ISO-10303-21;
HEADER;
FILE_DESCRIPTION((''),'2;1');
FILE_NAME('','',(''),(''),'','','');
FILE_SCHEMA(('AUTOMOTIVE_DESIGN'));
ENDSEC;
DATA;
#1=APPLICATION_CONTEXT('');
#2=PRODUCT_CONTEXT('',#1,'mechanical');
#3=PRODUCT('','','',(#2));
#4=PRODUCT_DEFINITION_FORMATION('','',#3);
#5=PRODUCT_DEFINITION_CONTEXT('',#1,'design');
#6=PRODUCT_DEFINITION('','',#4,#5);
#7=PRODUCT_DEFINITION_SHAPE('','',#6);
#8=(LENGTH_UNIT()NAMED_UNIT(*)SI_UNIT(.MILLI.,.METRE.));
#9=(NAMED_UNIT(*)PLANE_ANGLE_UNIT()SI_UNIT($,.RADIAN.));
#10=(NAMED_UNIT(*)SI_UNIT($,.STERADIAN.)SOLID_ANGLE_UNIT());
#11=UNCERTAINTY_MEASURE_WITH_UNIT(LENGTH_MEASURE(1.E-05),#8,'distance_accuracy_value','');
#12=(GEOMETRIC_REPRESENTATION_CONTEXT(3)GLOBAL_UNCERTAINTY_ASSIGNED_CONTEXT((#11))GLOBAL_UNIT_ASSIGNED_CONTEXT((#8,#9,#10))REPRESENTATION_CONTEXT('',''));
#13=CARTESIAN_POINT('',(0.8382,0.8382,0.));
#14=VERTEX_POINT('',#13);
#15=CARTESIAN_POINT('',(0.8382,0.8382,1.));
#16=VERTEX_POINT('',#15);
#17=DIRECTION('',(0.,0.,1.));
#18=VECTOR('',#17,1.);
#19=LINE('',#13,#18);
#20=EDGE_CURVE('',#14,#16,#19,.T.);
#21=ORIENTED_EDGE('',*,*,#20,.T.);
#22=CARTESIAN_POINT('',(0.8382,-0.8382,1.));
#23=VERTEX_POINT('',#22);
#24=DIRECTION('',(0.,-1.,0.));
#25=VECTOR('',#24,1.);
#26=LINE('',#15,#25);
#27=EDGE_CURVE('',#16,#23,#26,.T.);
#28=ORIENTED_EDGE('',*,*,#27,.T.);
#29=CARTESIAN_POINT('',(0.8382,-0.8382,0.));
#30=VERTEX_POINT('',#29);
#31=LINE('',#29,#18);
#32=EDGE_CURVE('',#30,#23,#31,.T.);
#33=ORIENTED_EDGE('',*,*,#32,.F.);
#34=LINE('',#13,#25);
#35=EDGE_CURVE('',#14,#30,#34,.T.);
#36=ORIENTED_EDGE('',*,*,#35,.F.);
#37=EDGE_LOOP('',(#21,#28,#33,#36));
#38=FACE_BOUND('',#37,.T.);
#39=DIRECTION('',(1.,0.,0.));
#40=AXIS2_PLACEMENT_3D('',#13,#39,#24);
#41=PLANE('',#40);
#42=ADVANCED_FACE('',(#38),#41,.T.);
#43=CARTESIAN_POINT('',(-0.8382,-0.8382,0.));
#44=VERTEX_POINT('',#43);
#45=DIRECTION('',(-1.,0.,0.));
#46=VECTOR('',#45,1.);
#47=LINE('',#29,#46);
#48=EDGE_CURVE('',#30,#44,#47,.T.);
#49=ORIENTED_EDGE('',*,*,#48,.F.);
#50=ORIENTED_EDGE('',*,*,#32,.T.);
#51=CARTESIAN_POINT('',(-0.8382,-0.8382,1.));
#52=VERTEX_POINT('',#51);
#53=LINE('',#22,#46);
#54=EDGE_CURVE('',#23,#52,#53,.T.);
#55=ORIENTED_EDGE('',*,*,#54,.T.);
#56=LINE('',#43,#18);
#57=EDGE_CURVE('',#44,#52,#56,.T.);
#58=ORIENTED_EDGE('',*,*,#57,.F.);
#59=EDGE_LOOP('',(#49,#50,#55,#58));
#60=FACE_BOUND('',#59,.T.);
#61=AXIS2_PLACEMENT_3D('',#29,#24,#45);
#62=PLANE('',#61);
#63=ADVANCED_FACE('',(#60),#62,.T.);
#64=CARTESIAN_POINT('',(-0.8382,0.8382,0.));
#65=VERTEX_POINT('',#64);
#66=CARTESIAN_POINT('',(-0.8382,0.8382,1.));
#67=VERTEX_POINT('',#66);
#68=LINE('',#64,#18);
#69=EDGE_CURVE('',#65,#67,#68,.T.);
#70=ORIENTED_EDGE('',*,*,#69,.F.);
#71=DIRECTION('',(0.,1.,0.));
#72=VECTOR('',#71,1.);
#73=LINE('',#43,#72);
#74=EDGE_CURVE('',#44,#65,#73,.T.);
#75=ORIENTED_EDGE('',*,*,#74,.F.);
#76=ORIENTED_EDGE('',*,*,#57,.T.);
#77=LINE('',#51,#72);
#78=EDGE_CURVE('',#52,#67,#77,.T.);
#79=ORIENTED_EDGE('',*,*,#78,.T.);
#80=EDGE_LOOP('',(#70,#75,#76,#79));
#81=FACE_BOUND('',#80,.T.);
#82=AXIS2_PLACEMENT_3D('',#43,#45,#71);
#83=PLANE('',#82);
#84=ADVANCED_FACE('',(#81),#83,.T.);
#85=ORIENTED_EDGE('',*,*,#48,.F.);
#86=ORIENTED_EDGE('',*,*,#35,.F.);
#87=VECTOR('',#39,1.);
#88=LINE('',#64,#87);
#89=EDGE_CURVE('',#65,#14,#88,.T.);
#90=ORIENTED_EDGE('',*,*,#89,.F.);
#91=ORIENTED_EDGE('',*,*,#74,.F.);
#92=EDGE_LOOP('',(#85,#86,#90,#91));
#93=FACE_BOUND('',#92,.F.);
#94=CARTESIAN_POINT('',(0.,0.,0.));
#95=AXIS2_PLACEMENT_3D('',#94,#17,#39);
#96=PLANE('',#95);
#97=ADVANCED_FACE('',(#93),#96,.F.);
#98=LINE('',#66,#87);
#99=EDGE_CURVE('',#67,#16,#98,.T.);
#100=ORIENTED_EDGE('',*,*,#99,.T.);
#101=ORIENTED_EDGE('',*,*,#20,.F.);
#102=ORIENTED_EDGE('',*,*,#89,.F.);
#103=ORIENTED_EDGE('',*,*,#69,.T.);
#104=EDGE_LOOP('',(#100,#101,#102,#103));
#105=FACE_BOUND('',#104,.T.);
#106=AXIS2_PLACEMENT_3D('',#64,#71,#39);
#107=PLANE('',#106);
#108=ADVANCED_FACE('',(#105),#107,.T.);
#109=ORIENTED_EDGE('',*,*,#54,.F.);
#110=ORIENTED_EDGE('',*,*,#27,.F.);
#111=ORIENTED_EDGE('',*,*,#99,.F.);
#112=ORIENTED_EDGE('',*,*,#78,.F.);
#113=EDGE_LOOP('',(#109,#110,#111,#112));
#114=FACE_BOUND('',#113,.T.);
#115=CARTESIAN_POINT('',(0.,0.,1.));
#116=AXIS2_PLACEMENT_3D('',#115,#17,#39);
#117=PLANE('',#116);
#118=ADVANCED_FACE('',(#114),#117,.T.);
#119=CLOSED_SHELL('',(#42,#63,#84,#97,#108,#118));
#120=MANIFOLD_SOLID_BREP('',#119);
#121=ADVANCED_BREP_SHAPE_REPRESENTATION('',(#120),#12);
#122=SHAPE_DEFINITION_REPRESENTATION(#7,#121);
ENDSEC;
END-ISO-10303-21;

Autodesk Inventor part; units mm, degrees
ref_plane "YZ Plane" through (0, 0, 0) normal (1, 0, 0) x (0, 1, 0)
ref_plane "XZ Plane" through (0, 0, 0) normal (0, 1, 0) x (-1, 0, 0)
ref_plane "XY Plane" through (0, 0, 0) normal (0, 0, 1) x (1, 0, 0)
sketch "P1_1MM, TP_KEYSTONE500X_1" plane through (0, 0, 0) normal (0, 0, 1) x (1, 0, 0)
  line L0 (-0.8382, 0.8382) -> (0.8382, 0.8382)
  line L1 (0.8382, 0.8382) -> (0.8382, -0.8382)
  line L2 (0.8382, -0.8382) -> (-0.8382, -0.8382)
  line L3 (-0.8382, -0.8382) -> (-0.8382, 0.8382)
extrude "Extrusion1" add sketch "P1_1MM, TP_KEYSTONE500X_1" along normal blind 1
properties part number "TP_KEYSTONE500X"
